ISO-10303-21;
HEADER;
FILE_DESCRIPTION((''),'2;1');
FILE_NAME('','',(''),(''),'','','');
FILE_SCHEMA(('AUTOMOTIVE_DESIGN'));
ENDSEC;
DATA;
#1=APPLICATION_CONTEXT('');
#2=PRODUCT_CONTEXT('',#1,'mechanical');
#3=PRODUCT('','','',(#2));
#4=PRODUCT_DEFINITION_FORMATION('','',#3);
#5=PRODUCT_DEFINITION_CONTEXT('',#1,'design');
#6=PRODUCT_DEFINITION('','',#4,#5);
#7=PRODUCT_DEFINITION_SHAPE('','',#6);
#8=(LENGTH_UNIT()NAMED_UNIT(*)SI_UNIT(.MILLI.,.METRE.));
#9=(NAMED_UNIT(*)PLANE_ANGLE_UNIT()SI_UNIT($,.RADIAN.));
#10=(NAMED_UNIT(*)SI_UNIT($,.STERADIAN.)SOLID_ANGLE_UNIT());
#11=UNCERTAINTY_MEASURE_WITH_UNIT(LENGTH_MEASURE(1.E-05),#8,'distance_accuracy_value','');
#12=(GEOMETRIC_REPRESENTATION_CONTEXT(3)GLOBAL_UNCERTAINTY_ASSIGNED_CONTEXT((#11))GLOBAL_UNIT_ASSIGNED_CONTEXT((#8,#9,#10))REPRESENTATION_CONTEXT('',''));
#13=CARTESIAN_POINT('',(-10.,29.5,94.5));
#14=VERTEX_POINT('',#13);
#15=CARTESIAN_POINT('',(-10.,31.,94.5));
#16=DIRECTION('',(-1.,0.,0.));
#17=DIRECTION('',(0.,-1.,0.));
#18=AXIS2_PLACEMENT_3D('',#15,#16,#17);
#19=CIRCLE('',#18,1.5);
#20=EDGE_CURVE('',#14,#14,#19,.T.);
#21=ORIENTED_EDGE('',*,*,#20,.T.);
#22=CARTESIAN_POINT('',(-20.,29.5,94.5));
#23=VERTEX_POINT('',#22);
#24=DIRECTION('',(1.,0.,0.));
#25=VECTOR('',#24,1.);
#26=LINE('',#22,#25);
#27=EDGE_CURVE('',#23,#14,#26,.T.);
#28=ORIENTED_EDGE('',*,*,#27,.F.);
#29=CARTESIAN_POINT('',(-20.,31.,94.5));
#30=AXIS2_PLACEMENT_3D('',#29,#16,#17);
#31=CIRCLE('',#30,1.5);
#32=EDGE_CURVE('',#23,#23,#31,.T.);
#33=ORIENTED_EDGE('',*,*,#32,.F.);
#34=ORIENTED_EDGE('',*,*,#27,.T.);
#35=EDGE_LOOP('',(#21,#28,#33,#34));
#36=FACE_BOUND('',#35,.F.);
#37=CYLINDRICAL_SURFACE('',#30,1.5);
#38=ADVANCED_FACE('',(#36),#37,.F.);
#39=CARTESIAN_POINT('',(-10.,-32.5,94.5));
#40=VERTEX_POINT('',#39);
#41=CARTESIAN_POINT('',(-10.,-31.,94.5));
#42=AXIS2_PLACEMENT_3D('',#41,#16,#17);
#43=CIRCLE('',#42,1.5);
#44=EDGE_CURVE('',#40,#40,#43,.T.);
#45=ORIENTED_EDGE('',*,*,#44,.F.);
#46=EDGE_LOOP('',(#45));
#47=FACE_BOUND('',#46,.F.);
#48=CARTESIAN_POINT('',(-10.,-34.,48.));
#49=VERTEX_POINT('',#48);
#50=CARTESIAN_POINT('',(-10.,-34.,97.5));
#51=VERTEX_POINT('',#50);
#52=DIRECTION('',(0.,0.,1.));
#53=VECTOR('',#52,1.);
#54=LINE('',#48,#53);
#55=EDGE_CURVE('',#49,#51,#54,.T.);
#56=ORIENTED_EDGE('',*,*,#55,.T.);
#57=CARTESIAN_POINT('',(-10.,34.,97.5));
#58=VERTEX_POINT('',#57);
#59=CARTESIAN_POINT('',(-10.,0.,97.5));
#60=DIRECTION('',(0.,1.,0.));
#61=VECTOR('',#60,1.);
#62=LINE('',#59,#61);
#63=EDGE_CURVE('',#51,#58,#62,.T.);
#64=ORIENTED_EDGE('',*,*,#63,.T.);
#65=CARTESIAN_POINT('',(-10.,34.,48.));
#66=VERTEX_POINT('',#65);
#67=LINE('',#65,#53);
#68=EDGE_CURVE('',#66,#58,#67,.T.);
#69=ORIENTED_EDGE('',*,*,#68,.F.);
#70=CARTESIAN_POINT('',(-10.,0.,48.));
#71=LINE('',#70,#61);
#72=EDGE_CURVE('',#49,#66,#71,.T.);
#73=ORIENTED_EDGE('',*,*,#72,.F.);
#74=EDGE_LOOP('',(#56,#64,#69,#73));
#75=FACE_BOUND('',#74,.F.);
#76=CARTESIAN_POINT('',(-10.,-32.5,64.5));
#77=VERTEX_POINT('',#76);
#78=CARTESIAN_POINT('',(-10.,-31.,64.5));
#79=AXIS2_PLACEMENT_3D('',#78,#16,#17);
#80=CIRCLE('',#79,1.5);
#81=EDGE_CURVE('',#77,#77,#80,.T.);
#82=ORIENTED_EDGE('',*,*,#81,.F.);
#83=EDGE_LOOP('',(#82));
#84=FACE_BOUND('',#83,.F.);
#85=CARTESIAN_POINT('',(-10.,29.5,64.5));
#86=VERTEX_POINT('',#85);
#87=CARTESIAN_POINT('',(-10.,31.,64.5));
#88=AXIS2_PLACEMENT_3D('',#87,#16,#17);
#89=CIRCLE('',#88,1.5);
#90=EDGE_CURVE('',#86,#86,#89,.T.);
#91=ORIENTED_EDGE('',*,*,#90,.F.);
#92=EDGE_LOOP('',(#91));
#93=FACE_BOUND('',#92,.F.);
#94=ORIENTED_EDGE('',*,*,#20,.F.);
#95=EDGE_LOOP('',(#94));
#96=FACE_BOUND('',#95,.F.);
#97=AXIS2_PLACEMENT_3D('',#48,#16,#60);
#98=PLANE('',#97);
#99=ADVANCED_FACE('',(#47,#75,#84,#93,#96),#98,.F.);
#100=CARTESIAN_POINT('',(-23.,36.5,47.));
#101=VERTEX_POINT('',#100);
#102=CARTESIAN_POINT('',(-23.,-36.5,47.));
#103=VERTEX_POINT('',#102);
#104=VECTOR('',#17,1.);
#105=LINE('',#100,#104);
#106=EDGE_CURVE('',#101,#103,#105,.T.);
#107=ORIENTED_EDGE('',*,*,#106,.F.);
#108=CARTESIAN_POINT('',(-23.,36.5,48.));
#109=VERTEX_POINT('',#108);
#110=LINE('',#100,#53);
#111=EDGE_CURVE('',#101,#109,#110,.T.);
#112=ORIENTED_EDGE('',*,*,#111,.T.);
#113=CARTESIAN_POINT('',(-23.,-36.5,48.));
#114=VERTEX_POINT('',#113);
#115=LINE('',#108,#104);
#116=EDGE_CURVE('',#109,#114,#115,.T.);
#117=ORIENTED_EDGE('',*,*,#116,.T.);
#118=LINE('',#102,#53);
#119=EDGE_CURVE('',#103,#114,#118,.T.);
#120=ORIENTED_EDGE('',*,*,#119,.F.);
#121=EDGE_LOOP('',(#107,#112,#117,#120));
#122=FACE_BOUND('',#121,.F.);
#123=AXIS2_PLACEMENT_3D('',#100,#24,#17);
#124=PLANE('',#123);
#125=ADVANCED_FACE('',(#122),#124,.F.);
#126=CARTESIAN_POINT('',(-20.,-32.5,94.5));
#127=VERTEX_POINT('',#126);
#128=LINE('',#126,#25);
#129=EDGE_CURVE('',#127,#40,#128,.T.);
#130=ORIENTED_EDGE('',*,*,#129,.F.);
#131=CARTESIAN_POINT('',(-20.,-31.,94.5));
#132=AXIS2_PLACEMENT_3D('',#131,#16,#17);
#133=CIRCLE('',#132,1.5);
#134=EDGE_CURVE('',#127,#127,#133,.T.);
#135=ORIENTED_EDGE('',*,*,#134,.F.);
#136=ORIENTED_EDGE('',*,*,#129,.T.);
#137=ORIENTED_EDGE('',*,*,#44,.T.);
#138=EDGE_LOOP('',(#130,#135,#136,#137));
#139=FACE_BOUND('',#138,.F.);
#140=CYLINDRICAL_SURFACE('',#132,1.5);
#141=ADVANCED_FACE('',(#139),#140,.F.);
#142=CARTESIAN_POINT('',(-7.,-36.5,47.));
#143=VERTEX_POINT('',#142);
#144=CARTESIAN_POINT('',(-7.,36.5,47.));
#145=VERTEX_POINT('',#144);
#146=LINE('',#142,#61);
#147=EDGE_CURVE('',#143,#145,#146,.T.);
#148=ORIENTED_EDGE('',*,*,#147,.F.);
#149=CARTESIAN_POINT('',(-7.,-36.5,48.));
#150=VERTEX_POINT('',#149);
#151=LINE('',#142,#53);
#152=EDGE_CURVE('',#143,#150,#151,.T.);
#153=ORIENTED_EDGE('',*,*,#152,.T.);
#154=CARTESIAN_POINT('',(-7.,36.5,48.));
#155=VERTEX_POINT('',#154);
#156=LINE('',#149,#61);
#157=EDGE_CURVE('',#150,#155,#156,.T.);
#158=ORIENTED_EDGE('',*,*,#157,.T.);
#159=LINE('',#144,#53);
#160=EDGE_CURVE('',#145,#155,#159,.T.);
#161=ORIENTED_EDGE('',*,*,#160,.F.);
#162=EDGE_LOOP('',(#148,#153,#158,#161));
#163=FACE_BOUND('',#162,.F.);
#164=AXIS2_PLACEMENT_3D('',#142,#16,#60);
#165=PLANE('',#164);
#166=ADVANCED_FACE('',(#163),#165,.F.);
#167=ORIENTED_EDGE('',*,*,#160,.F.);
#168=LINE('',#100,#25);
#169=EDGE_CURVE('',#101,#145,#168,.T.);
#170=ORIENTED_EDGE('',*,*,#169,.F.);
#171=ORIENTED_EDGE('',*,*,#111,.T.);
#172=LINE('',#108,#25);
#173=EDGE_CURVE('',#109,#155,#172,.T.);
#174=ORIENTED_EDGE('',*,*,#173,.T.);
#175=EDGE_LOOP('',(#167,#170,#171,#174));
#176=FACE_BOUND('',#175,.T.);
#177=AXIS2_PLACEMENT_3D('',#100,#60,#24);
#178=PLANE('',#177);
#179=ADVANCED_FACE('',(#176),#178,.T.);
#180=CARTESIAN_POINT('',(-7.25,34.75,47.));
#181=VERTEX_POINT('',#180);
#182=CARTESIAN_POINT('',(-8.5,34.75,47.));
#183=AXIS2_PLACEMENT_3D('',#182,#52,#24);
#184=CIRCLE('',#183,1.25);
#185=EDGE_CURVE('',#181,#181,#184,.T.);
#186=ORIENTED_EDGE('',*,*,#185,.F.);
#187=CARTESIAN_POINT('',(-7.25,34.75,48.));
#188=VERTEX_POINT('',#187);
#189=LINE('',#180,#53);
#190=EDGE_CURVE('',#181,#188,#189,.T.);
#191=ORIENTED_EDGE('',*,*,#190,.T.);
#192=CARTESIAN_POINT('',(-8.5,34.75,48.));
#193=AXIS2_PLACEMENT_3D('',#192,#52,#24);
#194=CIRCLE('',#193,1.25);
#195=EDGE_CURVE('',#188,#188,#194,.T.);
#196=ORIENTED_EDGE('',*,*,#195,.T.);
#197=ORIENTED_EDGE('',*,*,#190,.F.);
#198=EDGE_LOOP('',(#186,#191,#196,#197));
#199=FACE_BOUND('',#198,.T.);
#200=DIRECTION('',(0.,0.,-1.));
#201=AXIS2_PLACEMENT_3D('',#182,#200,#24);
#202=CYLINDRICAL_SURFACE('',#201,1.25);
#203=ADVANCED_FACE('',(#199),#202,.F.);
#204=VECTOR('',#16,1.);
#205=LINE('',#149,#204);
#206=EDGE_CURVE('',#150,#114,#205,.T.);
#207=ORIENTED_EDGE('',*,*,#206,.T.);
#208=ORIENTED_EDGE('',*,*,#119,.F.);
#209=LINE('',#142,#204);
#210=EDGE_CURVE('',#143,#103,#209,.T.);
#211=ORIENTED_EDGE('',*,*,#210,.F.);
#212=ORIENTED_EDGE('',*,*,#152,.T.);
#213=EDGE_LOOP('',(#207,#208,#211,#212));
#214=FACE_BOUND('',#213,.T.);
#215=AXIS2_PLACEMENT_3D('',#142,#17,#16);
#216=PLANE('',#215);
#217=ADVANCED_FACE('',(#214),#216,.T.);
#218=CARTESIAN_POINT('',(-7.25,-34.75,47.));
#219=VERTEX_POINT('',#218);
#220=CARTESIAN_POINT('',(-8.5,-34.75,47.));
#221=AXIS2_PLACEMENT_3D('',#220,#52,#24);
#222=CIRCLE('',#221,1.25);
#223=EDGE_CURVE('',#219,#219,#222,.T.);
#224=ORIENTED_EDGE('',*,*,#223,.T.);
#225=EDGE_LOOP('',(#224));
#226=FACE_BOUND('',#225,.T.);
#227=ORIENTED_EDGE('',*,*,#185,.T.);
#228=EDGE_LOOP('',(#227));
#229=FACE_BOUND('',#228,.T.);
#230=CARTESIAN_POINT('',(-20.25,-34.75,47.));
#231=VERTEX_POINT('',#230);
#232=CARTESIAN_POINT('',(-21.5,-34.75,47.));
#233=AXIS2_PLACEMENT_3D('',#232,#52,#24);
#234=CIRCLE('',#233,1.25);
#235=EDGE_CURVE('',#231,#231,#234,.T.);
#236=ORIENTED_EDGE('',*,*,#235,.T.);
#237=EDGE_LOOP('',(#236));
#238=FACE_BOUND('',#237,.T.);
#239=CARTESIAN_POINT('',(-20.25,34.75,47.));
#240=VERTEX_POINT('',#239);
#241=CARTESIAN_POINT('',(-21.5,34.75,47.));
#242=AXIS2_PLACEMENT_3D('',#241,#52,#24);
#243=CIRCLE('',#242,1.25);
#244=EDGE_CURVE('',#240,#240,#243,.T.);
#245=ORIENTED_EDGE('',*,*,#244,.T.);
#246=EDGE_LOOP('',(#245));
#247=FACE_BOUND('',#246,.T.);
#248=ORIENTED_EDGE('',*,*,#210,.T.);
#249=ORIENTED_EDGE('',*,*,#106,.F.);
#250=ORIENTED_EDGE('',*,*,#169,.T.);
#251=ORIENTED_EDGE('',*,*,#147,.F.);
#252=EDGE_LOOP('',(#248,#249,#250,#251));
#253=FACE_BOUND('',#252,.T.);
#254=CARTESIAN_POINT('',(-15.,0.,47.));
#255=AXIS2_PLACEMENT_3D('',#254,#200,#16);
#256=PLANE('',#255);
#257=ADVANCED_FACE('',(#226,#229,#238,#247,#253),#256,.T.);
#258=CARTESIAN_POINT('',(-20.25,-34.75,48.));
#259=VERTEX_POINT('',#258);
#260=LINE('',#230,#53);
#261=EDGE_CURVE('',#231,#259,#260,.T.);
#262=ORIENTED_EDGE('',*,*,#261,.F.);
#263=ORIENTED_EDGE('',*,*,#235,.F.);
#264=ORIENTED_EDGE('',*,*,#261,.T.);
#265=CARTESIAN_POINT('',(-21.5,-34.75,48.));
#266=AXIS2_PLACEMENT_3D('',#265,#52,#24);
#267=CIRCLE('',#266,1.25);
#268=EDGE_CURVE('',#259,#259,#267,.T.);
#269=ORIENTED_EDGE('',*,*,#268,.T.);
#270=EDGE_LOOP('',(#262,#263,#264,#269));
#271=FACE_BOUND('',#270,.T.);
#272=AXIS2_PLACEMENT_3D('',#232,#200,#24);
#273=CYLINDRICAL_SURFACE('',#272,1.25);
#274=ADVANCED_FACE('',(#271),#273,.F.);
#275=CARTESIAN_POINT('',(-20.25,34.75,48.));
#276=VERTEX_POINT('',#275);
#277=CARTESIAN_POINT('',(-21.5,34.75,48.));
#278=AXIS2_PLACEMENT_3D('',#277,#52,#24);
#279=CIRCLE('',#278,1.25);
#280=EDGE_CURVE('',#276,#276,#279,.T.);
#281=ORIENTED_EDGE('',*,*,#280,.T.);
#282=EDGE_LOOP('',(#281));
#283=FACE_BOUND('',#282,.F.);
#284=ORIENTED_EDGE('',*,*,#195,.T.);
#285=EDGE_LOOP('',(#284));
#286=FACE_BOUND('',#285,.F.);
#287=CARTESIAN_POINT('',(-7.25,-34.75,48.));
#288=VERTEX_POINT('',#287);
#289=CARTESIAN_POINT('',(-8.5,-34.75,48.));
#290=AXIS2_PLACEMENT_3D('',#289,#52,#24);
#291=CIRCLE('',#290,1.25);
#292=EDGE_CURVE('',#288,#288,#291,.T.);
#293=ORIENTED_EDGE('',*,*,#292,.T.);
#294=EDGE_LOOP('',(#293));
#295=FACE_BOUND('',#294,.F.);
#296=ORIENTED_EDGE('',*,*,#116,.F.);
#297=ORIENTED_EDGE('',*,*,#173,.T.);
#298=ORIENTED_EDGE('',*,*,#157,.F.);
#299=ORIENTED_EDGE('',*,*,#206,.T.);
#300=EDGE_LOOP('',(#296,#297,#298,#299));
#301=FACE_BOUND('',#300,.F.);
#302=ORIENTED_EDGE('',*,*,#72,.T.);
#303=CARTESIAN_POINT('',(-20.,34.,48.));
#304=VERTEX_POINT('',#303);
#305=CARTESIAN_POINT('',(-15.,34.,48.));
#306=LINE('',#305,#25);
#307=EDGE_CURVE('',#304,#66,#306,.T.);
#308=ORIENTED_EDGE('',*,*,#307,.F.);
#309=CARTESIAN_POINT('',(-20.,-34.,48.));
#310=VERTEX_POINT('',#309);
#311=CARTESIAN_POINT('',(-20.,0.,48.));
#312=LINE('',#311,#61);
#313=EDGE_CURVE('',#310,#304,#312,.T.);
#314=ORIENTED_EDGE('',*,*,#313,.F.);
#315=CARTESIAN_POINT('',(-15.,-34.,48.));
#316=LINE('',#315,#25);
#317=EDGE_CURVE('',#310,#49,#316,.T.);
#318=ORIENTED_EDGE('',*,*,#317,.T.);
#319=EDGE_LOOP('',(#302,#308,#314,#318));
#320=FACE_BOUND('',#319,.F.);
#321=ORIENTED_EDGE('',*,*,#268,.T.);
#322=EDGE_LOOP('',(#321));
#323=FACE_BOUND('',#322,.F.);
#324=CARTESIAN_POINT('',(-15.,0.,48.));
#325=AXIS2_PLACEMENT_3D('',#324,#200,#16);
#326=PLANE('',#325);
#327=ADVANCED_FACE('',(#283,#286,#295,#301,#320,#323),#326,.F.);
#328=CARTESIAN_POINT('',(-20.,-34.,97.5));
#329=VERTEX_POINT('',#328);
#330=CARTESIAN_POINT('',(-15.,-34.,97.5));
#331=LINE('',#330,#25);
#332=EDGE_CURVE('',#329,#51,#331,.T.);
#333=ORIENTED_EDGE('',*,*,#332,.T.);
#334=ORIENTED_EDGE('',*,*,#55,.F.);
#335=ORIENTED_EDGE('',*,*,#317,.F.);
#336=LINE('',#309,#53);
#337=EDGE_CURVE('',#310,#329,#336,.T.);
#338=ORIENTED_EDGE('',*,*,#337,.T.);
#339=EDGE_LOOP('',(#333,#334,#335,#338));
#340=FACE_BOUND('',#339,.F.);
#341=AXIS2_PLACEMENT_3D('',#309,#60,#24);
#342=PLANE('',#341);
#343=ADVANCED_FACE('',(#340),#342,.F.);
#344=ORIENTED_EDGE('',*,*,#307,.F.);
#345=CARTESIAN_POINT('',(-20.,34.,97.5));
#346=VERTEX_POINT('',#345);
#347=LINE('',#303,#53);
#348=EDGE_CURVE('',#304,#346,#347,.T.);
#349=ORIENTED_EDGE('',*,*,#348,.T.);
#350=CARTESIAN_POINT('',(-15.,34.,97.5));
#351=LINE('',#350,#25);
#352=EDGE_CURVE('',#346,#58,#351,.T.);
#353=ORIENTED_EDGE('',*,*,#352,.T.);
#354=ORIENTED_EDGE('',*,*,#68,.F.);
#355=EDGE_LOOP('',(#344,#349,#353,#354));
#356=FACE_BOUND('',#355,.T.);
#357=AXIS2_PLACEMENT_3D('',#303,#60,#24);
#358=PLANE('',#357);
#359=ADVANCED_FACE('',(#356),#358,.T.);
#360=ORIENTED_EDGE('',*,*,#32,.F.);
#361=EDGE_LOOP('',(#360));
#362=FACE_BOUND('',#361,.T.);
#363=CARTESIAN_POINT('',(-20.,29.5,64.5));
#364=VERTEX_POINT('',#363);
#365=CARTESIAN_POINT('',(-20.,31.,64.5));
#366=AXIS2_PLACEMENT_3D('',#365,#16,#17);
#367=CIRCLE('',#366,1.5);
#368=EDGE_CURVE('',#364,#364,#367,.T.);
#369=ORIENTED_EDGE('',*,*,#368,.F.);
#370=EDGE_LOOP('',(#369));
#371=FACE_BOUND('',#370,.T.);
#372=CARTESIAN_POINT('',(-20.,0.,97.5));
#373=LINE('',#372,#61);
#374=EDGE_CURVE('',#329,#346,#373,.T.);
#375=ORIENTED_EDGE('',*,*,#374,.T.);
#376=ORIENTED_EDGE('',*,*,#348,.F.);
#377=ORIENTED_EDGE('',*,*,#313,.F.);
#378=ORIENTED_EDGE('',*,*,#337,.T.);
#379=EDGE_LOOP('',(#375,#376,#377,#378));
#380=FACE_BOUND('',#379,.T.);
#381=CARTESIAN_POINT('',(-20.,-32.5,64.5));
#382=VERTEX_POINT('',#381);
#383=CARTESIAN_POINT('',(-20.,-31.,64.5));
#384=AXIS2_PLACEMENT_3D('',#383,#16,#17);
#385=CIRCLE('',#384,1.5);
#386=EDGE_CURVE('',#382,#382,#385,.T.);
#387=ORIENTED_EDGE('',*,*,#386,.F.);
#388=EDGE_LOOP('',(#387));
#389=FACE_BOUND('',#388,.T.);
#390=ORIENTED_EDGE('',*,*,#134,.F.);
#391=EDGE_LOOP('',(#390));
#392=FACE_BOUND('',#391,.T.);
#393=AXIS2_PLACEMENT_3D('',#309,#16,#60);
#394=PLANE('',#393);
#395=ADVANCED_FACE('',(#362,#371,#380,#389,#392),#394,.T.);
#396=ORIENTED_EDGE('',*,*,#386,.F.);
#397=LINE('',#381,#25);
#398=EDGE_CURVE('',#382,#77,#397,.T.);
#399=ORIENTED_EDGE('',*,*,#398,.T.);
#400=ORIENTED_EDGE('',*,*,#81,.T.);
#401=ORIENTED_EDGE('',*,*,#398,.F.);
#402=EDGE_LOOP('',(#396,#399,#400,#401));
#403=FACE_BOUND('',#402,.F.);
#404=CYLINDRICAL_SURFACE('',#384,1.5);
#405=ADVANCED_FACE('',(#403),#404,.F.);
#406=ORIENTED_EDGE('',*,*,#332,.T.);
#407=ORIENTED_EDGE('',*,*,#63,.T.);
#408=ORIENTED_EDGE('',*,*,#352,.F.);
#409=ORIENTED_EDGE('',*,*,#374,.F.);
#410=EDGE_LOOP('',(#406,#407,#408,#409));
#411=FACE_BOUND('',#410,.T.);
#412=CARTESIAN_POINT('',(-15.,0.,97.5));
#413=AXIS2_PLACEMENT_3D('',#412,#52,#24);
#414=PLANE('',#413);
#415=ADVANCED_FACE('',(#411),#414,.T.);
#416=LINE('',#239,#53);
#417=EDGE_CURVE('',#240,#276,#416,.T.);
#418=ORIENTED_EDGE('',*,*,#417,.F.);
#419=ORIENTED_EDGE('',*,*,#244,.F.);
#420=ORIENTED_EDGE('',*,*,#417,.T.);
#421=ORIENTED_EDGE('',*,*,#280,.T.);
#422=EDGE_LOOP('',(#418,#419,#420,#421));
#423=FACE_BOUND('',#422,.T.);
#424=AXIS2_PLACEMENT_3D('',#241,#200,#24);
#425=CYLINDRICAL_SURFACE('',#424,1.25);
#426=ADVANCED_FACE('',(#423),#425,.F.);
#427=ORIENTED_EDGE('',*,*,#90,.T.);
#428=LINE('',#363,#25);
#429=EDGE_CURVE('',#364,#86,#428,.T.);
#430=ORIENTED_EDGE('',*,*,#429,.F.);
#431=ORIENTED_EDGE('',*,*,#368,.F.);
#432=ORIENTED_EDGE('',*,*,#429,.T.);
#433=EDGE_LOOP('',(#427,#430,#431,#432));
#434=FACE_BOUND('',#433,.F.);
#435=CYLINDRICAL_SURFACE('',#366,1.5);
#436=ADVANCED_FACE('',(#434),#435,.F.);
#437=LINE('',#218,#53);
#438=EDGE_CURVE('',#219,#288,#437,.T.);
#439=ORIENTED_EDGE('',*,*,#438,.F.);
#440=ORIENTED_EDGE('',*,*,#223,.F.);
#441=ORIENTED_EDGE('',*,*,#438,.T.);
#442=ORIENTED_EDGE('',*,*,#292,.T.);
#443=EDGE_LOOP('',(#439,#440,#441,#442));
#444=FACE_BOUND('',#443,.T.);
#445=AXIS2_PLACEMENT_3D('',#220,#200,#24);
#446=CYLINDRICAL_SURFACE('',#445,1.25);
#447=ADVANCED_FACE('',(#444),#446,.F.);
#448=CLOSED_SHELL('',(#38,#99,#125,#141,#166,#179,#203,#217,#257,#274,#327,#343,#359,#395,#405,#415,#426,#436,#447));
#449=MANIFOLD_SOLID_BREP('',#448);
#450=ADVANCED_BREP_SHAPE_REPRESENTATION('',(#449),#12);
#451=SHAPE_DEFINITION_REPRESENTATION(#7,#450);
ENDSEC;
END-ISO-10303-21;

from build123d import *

# Parameters (mm, degrees)
SKETCH080_R     = 1.25
PAD056_DEPTH    = 1
SKETCH081_W     = 10
SKETCH081_H     = 68
PAD057_DEPTH    = 49.5
SKETCH082_R     = 1.5
POCKET015_DEPTH = 13.001


with BuildPart() as part:
    # Sketch080 → Pad056 (new body)
    with BuildSketch(Plane.XY):
        Polygon((-8, 36.5), (8, 36.5), (8, 33), (8, -33), (8, -36.5), (-8, -36.5), (-8, -33), (-8, 33), align=None)
        with Locations((-6.5, 34.75)):
            Circle(SKETCH080_R, mode=Mode.SUBTRACT)
        with Locations((6.5, 34.75)):
            Circle(SKETCH080_R, mode=Mode.SUBTRACT)
        with Locations((-6.5, -34.75)):
            Circle(SKETCH080_R, mode=Mode.SUBTRACT)
        with Locations((6.5, -34.75)):
            Circle(SKETCH080_R, mode=Mode.SUBTRACT)
    extrude(amount=PAD056_DEPTH)

    # Sketch081 (on Face14 of Pad056) → Pad057 (join)
    with BuildSketch(Plane.XY.offset(1)):
        Rectangle(SKETCH081_W, SKETCH081_H)
    extrude(amount=PAD057_DEPTH)

    # Sketch082 (on Face15 of Pad057) → Pocket015 (cut, through all)
    with BuildSketch(Plane(origin=(-5, 0, 0), x_dir=(0, -1, 0), z_dir=(-1, 0, 0))):
        with Locations((31, 47.5)):
            Circle(SKETCH082_R)
        with Locations((-31, 47.5)):
            Circle(SKETCH082_R)
        with Locations((-31, 17.5)):
            Circle(SKETCH082_R)
        with Locations((31, 17.5)):
            Circle(SKETCH082_R)
    extrude(amount=-POCKET015_DEPTH, mode=Mode.SUBTRACT)


with BuildPart() as part_1:
    # Body025 placement: moved
    add(part.part.moved(Location((-15, 0, 47))))


solid = part_1.part
